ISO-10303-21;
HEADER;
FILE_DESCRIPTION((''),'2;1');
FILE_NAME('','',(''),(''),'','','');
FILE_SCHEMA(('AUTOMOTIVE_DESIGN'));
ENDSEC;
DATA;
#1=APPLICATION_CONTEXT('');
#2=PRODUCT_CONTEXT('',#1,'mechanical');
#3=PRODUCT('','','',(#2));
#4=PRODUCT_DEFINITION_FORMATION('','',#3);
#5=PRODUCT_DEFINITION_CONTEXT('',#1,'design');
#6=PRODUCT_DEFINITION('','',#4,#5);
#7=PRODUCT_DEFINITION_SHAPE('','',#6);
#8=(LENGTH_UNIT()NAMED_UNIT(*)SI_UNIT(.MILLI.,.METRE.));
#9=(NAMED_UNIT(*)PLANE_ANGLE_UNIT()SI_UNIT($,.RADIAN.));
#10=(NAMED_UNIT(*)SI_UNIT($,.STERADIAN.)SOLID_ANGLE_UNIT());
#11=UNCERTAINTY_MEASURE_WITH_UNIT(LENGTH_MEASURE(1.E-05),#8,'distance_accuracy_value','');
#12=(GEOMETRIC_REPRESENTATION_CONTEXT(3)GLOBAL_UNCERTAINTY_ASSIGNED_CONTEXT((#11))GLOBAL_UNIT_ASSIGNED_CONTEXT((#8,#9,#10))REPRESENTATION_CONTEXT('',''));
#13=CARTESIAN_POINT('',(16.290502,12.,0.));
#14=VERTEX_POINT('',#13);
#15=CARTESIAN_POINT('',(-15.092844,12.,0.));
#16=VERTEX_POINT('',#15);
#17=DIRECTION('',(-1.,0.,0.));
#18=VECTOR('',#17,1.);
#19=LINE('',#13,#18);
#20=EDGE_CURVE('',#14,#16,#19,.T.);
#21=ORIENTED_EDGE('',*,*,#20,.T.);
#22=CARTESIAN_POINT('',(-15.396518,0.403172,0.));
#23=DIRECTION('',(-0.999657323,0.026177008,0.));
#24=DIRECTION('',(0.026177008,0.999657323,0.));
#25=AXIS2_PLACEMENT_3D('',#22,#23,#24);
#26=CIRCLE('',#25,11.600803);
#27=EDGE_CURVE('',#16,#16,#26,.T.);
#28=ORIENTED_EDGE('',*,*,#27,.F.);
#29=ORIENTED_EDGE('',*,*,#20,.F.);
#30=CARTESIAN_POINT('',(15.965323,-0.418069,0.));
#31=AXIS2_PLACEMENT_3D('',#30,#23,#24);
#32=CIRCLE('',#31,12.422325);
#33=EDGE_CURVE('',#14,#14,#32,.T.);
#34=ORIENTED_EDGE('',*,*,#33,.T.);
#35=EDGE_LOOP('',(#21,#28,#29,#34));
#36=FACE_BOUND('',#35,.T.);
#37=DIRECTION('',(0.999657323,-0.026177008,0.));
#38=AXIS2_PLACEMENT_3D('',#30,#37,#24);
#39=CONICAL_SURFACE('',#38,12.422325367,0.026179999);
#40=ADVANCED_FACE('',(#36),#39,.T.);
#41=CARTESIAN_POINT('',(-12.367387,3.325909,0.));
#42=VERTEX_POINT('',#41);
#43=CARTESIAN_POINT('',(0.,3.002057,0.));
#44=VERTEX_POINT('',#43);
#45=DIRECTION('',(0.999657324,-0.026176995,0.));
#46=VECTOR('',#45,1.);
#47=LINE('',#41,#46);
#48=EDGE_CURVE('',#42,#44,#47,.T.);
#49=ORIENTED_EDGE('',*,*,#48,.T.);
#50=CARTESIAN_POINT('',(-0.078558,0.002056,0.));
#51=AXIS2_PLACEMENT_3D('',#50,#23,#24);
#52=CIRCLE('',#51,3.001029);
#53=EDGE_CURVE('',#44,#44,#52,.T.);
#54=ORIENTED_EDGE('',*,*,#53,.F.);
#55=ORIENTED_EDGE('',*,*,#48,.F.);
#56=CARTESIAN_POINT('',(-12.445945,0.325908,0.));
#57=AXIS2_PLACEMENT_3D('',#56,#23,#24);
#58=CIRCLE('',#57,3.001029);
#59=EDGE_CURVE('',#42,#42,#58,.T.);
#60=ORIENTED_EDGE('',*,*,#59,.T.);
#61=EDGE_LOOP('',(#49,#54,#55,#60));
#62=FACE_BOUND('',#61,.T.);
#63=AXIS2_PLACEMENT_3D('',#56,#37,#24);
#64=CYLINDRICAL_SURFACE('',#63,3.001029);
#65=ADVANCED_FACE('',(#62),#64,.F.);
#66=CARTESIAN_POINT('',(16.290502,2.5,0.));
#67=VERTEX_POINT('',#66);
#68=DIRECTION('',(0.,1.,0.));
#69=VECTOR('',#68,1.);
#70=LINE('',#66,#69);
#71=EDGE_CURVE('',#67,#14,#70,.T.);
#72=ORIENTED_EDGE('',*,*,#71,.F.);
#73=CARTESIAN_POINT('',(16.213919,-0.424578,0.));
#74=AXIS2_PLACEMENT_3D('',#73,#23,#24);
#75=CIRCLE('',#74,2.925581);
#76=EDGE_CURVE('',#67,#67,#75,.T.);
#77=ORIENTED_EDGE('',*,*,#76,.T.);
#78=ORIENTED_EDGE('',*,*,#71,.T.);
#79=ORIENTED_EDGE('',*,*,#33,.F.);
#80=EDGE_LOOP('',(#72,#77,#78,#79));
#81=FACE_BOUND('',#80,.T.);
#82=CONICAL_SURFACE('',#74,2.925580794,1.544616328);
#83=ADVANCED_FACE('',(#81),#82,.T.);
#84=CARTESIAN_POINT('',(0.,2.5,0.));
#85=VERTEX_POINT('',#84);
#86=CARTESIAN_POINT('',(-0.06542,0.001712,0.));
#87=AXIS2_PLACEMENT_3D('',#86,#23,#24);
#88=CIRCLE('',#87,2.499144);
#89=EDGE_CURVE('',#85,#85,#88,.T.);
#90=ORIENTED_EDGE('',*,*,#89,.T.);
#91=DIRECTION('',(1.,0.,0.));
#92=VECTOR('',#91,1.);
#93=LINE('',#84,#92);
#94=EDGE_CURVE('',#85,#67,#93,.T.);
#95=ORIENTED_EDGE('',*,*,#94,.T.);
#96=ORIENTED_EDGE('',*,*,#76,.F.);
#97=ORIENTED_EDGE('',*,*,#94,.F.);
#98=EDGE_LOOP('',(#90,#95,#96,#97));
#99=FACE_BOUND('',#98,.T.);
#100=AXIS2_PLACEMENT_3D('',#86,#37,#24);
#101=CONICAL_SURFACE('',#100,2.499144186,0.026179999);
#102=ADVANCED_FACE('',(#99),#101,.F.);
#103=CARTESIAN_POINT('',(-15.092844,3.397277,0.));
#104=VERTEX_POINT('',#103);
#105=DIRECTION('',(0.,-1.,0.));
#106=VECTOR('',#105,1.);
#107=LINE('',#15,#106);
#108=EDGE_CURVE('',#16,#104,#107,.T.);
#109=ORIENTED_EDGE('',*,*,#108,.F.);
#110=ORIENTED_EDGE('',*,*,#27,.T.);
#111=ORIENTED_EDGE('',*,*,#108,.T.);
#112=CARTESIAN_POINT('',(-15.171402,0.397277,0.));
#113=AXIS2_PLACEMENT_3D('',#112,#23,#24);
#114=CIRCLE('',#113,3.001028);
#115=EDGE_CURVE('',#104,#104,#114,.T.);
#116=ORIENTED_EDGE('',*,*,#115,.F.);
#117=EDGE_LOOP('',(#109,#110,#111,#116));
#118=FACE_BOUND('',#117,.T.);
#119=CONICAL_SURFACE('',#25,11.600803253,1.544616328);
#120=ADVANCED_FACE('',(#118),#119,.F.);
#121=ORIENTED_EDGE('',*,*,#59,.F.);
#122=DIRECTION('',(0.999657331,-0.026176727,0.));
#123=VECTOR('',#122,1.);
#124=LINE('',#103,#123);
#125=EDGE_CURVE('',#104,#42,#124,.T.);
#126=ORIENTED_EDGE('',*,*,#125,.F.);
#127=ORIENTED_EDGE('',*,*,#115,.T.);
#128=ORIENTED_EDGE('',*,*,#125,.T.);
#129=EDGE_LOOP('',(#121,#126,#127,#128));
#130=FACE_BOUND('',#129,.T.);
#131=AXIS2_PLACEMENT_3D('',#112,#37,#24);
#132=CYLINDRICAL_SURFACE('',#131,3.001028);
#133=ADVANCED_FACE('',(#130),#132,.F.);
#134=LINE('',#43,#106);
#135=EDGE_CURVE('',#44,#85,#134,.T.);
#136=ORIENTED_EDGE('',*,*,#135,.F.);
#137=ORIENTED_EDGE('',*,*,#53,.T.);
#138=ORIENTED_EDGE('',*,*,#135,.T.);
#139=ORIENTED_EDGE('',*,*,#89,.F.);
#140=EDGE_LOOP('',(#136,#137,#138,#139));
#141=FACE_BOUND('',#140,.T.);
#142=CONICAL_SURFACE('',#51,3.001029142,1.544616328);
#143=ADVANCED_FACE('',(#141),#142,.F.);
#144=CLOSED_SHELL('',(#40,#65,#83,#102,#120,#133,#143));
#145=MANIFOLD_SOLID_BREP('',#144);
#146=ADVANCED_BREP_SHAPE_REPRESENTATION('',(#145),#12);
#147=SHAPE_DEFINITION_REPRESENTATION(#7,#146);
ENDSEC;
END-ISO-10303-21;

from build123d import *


with BuildPart() as f1:
    # F0 (on Top) → F1 (revolve)
    with BuildSketch(Plane.XY):
        Polygon((-12.367387, 3.325909), (0, 3.002057), (0, 12), (-15.092844, 12), (-15.092844, 3.397277), align=None)
        Polygon((0, 3.002057), (0, 2.5), (16.290502, 2.5), (16.290502, 12), (0, 12), align=None)
    revolve(axis=Axis((-6.948064, 0.181941, 0), (-0.999657, 0.026177, 0)))


solid = f1.part
